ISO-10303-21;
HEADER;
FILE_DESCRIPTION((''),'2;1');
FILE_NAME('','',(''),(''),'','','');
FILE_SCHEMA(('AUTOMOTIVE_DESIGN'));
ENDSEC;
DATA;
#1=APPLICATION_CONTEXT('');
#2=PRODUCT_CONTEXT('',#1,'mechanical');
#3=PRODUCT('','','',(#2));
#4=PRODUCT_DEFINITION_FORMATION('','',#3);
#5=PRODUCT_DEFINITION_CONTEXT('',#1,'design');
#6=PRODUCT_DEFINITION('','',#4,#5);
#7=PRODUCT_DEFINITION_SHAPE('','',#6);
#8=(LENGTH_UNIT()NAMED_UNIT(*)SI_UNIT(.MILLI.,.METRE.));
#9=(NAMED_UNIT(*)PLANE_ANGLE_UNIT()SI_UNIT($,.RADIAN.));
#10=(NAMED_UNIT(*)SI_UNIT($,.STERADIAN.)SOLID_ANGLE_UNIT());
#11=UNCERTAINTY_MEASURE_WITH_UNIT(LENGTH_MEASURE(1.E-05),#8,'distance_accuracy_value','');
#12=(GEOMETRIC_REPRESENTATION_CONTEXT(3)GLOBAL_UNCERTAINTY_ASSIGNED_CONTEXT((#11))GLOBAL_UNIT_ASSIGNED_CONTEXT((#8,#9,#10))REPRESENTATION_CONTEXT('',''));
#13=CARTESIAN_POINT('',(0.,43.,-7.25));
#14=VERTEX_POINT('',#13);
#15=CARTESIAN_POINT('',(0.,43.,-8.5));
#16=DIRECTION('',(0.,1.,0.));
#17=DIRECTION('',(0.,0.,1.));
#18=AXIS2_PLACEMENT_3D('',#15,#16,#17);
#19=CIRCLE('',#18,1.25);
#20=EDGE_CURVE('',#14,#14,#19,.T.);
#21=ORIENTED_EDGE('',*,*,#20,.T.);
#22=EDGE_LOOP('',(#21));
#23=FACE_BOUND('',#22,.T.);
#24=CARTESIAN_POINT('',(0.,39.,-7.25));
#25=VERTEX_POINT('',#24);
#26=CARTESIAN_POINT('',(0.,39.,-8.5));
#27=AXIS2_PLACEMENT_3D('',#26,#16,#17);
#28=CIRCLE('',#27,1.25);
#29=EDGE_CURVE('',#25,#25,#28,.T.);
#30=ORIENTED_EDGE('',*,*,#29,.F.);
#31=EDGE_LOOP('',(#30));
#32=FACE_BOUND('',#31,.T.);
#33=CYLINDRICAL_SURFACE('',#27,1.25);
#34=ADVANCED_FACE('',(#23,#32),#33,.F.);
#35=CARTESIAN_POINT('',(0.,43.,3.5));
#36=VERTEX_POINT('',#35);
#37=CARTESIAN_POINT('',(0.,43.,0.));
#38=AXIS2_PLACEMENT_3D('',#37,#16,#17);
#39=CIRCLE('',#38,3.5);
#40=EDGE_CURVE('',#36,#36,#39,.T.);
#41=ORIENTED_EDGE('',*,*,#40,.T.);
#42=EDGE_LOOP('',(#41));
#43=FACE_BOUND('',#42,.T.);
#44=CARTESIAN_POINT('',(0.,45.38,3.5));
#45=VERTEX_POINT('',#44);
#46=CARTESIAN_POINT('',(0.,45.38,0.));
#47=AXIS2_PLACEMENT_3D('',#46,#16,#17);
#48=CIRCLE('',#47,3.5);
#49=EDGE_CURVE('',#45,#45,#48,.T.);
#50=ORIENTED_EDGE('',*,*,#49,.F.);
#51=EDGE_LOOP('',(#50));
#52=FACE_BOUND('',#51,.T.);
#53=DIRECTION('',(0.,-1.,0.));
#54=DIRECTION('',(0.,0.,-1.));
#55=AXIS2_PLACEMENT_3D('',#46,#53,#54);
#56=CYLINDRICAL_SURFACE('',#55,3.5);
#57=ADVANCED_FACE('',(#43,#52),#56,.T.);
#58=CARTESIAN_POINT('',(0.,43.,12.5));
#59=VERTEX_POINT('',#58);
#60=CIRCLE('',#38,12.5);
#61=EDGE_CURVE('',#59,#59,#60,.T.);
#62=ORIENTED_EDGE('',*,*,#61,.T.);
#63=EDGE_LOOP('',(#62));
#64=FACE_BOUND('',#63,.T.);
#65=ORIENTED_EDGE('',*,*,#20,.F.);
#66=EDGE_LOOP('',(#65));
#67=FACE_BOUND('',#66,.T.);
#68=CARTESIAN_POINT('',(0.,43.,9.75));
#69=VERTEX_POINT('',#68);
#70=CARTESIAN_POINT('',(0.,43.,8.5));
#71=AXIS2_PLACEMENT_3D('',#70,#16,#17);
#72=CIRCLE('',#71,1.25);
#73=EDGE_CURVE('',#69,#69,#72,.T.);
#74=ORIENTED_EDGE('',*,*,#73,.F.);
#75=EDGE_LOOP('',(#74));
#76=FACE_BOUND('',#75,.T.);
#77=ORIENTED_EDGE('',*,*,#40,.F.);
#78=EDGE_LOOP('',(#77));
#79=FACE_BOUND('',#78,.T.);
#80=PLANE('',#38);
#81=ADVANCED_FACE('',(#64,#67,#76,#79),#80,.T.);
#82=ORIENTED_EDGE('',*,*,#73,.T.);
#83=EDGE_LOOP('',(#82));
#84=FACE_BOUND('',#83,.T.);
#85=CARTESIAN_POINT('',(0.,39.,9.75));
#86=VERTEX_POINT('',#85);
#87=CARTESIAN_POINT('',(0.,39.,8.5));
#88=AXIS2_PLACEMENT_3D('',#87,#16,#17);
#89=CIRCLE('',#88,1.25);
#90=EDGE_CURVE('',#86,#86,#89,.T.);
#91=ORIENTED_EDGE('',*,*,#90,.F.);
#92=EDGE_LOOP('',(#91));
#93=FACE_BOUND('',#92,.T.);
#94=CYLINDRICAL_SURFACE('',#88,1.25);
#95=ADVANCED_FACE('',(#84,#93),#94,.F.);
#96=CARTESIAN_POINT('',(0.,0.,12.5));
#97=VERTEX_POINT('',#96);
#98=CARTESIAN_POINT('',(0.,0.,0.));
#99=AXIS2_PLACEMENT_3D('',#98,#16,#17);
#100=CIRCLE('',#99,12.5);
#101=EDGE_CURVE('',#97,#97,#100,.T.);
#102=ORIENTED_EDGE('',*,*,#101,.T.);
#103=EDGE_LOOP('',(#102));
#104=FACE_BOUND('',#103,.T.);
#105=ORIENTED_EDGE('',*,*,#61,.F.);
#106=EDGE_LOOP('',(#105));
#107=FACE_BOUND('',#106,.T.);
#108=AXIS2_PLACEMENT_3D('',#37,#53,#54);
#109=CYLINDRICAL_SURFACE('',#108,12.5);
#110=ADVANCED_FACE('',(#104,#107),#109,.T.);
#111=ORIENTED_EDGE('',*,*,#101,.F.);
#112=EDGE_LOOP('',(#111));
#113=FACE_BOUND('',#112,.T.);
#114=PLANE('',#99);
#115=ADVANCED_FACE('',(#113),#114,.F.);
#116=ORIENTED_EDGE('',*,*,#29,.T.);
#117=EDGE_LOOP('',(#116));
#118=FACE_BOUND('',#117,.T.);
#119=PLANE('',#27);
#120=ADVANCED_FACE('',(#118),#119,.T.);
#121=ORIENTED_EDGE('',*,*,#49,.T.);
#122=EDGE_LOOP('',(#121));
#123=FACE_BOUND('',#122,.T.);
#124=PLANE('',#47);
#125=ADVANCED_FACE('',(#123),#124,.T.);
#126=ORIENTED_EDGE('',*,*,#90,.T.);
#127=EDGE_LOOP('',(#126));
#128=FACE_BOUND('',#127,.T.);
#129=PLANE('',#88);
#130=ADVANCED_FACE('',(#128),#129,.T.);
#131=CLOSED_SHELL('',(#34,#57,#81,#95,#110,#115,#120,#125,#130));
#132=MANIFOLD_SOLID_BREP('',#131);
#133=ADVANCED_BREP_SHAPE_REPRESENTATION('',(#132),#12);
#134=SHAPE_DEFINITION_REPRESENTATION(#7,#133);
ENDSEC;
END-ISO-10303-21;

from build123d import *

# Parameters (mm, degrees)
SKETCH1_R           = 12.5
BOSS_EXTRUDE1_DEPTH = 43
SKETCH2_R           = 3.5
BOSS_EXTRUDE2_DEPTH = 2.38
SKETCH3_R           = 1.25
CUT_EXTRUDE1_DEPTH  = 4


with BuildPart() as part:
    # Sketch1 → Boss-Extrude1 (new body)
    with BuildSketch(Plane(origin=(0, 0, 0), x_dir=(1, 0, 0), z_dir=(0, 1, 0))):
        Circle(SKETCH1_R)
    extrude(amount=BOSS_EXTRUDE1_DEPTH)

    # Sketch2 → Boss-Extrude2 (add)
    with BuildSketch(Plane(origin=(0, 43, 0), x_dir=(1, 0, 0), z_dir=(0, 1, 0))):
        Circle(SKETCH2_R)
    extrude(amount=BOSS_EXTRUDE2_DEPTH)

    # Sketch3 → Cut-Extrude1 (cut)
    with BuildSketch(Plane(origin=(0, 43, 0), x_dir=(1, 0, 0), z_dir=(0, 1, 0))):
        with Locations((0, 8.5)):
            Circle(SKETCH3_R)
        with Locations((0, -8.5)):
            Circle(SKETCH3_R)
    extrude(amount=-CUT_EXTRUDE1_DEPTH, mode=Mode.SUBTRACT)


solid = part.part
